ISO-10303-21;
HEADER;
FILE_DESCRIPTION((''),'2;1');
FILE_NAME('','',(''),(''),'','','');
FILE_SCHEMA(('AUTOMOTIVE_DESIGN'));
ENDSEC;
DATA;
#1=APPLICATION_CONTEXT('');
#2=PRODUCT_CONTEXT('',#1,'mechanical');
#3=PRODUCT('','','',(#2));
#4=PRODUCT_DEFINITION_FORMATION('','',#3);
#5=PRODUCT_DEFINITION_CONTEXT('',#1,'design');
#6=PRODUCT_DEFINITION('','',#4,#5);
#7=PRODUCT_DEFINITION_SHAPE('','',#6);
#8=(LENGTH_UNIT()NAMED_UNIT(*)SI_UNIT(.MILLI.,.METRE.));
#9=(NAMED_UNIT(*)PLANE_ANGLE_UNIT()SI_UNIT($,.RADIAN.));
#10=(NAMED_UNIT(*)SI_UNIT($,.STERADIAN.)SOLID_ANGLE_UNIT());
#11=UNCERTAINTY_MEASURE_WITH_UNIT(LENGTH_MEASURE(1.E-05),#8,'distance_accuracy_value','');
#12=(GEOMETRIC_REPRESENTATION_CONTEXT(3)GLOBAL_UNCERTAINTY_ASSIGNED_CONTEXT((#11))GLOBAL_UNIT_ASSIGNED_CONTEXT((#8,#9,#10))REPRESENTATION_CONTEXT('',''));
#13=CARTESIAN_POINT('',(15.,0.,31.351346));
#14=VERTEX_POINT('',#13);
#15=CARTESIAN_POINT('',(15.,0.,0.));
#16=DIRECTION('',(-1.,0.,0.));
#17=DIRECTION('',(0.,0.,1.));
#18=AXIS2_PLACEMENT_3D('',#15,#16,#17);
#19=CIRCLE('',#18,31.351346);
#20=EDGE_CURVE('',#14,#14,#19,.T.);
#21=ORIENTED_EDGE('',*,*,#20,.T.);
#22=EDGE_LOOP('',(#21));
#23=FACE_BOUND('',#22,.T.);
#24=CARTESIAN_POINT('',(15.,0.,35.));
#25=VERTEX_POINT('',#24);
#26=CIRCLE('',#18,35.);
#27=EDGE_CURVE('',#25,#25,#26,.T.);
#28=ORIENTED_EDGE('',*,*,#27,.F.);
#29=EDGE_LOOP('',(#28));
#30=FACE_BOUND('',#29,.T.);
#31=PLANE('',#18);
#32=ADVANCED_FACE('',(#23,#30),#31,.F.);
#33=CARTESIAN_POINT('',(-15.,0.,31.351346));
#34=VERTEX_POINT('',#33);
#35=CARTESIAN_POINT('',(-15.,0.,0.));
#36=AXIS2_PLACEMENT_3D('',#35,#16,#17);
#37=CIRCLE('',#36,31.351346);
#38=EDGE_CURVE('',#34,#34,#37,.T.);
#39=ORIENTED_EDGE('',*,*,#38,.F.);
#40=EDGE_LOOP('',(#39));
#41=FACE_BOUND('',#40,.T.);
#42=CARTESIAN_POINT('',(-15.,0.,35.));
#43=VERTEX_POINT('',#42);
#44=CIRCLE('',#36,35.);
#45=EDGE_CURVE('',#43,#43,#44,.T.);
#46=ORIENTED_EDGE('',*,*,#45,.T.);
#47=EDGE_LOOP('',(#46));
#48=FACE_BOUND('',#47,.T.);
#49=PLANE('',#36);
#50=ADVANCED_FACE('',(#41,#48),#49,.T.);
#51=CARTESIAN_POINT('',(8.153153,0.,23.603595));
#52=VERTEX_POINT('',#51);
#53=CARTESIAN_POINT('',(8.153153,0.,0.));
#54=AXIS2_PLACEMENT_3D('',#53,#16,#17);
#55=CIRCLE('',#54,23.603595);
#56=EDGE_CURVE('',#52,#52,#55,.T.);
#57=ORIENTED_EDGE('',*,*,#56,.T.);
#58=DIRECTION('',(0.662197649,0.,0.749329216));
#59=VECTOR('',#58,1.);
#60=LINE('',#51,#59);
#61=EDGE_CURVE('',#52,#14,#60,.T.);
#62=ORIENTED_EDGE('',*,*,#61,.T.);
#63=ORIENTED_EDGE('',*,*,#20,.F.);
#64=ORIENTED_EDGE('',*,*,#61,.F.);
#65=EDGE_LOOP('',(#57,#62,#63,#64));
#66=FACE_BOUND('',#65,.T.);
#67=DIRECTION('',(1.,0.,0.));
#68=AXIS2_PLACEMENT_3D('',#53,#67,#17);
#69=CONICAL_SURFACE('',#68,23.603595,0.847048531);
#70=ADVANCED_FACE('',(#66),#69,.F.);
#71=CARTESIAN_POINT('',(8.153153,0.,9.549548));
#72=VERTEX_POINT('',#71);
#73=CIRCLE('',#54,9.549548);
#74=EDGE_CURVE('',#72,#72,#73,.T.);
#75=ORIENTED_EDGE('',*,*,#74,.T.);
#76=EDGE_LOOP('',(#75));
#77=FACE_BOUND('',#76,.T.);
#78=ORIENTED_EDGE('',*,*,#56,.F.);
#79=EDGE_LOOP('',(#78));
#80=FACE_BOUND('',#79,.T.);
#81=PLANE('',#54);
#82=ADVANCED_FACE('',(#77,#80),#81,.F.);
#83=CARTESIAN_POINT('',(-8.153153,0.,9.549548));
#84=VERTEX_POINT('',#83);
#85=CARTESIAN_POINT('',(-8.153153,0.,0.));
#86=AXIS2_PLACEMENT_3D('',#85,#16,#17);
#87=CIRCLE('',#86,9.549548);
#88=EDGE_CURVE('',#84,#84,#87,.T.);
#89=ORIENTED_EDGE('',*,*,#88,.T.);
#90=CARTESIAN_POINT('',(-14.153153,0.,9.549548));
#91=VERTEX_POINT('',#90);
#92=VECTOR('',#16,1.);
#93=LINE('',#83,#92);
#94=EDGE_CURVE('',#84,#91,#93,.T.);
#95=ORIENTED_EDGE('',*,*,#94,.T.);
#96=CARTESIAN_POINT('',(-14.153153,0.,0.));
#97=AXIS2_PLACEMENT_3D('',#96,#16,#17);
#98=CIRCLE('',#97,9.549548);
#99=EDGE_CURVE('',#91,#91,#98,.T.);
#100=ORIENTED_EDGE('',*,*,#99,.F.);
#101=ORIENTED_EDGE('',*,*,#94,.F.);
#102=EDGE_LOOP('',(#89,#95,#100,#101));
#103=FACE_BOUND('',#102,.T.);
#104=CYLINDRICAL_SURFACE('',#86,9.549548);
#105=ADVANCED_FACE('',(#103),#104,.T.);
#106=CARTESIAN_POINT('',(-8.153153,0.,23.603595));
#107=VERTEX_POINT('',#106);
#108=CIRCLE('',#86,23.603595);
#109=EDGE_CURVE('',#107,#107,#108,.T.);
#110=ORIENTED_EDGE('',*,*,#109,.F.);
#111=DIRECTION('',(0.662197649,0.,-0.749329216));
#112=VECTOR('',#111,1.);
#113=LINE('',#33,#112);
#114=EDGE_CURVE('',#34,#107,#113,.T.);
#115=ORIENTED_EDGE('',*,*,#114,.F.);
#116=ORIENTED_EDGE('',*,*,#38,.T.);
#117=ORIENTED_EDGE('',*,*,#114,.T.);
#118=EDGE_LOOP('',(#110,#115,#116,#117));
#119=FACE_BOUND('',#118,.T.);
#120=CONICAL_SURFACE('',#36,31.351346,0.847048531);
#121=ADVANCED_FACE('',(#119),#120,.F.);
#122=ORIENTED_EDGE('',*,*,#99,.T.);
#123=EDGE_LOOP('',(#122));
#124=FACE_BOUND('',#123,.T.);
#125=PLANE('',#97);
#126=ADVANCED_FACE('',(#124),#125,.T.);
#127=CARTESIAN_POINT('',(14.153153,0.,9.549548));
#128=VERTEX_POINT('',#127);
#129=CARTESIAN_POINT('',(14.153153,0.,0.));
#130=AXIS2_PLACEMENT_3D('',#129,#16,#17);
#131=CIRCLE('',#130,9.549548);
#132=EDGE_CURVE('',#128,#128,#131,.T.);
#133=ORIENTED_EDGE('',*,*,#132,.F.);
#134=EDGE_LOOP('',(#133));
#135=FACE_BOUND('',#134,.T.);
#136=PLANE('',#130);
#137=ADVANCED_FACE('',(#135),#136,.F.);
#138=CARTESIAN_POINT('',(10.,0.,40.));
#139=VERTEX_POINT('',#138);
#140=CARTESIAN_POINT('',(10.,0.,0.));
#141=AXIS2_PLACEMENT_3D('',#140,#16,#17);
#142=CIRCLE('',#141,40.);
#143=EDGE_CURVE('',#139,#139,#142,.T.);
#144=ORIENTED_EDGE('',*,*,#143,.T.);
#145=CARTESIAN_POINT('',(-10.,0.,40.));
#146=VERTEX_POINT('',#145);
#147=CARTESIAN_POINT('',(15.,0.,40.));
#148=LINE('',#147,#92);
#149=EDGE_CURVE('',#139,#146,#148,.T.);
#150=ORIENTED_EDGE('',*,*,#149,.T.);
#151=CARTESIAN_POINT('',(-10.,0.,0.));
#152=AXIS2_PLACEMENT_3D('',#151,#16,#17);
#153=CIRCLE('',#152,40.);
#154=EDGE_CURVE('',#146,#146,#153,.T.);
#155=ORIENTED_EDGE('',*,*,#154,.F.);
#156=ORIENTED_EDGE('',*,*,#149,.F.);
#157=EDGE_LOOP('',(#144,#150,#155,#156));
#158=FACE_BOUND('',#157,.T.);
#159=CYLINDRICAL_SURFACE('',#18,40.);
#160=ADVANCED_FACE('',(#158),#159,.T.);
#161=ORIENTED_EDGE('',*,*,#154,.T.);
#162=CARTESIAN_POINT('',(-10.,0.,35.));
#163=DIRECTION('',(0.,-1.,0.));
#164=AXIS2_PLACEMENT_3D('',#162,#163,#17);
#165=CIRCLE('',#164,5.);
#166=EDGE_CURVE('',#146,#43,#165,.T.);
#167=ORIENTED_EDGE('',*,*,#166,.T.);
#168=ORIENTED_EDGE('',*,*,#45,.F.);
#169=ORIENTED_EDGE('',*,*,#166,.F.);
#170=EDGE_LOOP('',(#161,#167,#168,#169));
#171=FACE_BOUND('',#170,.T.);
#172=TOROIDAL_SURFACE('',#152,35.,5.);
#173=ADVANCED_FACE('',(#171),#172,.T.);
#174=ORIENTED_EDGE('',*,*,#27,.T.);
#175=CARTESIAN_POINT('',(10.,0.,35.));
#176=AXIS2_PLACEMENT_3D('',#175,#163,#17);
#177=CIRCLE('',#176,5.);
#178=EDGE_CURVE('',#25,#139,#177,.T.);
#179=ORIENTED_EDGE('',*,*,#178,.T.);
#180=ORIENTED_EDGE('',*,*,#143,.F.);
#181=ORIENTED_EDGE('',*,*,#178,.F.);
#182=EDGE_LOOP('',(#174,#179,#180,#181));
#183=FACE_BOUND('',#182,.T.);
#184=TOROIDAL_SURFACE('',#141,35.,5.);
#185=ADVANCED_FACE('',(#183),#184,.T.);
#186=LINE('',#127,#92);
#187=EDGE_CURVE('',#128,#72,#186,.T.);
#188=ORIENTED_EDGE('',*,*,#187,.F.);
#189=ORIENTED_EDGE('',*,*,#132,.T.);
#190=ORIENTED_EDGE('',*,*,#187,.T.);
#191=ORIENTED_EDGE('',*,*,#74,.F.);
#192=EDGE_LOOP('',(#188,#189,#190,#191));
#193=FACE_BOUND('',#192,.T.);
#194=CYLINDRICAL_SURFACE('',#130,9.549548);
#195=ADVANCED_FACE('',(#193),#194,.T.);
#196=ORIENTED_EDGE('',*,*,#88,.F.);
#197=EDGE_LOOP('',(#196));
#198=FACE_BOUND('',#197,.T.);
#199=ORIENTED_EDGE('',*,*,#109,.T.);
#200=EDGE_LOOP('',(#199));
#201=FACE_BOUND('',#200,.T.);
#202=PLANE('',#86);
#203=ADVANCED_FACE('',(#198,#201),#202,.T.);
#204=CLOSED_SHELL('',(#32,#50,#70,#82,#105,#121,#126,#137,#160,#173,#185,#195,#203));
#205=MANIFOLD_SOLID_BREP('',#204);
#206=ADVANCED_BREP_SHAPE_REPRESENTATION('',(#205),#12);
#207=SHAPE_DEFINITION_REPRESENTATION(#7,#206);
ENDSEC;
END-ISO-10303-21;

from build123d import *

# Parameters (mm, degrees)
F2_R = 5


with BuildPart() as f1:
    # F0 (on Front) → F1 (revolve)
    with BuildSketch(Plane.XZ):
        Polygon((-14.153153, 0), (0, 0), (0, 40), (-15, 40), (-15, 31.351346), (-8.153153, 23.603595), (-8.153153, 9.549548), (-14.153153, 9.549548), align=None)
        Polygon((0, 40), (0, 0), (14.153153, 0), (14.153153, 9.549548), (8.153153, 9.549548), (8.153153, 23.603595), (15, 31.351346), (15, 40), align=None)
    revolve(axis=Axis((7.076576, 0, 0), (-1, 0, 0)))

    # F2
    f2_edges = [f1.edges().sort_by_distance(p)[0] for p in [
        (15, 0, -40),
        (-15, 0, -40),
    ]]
    fillet(f2_edges, radius=F2_R)


solid = f1.part
